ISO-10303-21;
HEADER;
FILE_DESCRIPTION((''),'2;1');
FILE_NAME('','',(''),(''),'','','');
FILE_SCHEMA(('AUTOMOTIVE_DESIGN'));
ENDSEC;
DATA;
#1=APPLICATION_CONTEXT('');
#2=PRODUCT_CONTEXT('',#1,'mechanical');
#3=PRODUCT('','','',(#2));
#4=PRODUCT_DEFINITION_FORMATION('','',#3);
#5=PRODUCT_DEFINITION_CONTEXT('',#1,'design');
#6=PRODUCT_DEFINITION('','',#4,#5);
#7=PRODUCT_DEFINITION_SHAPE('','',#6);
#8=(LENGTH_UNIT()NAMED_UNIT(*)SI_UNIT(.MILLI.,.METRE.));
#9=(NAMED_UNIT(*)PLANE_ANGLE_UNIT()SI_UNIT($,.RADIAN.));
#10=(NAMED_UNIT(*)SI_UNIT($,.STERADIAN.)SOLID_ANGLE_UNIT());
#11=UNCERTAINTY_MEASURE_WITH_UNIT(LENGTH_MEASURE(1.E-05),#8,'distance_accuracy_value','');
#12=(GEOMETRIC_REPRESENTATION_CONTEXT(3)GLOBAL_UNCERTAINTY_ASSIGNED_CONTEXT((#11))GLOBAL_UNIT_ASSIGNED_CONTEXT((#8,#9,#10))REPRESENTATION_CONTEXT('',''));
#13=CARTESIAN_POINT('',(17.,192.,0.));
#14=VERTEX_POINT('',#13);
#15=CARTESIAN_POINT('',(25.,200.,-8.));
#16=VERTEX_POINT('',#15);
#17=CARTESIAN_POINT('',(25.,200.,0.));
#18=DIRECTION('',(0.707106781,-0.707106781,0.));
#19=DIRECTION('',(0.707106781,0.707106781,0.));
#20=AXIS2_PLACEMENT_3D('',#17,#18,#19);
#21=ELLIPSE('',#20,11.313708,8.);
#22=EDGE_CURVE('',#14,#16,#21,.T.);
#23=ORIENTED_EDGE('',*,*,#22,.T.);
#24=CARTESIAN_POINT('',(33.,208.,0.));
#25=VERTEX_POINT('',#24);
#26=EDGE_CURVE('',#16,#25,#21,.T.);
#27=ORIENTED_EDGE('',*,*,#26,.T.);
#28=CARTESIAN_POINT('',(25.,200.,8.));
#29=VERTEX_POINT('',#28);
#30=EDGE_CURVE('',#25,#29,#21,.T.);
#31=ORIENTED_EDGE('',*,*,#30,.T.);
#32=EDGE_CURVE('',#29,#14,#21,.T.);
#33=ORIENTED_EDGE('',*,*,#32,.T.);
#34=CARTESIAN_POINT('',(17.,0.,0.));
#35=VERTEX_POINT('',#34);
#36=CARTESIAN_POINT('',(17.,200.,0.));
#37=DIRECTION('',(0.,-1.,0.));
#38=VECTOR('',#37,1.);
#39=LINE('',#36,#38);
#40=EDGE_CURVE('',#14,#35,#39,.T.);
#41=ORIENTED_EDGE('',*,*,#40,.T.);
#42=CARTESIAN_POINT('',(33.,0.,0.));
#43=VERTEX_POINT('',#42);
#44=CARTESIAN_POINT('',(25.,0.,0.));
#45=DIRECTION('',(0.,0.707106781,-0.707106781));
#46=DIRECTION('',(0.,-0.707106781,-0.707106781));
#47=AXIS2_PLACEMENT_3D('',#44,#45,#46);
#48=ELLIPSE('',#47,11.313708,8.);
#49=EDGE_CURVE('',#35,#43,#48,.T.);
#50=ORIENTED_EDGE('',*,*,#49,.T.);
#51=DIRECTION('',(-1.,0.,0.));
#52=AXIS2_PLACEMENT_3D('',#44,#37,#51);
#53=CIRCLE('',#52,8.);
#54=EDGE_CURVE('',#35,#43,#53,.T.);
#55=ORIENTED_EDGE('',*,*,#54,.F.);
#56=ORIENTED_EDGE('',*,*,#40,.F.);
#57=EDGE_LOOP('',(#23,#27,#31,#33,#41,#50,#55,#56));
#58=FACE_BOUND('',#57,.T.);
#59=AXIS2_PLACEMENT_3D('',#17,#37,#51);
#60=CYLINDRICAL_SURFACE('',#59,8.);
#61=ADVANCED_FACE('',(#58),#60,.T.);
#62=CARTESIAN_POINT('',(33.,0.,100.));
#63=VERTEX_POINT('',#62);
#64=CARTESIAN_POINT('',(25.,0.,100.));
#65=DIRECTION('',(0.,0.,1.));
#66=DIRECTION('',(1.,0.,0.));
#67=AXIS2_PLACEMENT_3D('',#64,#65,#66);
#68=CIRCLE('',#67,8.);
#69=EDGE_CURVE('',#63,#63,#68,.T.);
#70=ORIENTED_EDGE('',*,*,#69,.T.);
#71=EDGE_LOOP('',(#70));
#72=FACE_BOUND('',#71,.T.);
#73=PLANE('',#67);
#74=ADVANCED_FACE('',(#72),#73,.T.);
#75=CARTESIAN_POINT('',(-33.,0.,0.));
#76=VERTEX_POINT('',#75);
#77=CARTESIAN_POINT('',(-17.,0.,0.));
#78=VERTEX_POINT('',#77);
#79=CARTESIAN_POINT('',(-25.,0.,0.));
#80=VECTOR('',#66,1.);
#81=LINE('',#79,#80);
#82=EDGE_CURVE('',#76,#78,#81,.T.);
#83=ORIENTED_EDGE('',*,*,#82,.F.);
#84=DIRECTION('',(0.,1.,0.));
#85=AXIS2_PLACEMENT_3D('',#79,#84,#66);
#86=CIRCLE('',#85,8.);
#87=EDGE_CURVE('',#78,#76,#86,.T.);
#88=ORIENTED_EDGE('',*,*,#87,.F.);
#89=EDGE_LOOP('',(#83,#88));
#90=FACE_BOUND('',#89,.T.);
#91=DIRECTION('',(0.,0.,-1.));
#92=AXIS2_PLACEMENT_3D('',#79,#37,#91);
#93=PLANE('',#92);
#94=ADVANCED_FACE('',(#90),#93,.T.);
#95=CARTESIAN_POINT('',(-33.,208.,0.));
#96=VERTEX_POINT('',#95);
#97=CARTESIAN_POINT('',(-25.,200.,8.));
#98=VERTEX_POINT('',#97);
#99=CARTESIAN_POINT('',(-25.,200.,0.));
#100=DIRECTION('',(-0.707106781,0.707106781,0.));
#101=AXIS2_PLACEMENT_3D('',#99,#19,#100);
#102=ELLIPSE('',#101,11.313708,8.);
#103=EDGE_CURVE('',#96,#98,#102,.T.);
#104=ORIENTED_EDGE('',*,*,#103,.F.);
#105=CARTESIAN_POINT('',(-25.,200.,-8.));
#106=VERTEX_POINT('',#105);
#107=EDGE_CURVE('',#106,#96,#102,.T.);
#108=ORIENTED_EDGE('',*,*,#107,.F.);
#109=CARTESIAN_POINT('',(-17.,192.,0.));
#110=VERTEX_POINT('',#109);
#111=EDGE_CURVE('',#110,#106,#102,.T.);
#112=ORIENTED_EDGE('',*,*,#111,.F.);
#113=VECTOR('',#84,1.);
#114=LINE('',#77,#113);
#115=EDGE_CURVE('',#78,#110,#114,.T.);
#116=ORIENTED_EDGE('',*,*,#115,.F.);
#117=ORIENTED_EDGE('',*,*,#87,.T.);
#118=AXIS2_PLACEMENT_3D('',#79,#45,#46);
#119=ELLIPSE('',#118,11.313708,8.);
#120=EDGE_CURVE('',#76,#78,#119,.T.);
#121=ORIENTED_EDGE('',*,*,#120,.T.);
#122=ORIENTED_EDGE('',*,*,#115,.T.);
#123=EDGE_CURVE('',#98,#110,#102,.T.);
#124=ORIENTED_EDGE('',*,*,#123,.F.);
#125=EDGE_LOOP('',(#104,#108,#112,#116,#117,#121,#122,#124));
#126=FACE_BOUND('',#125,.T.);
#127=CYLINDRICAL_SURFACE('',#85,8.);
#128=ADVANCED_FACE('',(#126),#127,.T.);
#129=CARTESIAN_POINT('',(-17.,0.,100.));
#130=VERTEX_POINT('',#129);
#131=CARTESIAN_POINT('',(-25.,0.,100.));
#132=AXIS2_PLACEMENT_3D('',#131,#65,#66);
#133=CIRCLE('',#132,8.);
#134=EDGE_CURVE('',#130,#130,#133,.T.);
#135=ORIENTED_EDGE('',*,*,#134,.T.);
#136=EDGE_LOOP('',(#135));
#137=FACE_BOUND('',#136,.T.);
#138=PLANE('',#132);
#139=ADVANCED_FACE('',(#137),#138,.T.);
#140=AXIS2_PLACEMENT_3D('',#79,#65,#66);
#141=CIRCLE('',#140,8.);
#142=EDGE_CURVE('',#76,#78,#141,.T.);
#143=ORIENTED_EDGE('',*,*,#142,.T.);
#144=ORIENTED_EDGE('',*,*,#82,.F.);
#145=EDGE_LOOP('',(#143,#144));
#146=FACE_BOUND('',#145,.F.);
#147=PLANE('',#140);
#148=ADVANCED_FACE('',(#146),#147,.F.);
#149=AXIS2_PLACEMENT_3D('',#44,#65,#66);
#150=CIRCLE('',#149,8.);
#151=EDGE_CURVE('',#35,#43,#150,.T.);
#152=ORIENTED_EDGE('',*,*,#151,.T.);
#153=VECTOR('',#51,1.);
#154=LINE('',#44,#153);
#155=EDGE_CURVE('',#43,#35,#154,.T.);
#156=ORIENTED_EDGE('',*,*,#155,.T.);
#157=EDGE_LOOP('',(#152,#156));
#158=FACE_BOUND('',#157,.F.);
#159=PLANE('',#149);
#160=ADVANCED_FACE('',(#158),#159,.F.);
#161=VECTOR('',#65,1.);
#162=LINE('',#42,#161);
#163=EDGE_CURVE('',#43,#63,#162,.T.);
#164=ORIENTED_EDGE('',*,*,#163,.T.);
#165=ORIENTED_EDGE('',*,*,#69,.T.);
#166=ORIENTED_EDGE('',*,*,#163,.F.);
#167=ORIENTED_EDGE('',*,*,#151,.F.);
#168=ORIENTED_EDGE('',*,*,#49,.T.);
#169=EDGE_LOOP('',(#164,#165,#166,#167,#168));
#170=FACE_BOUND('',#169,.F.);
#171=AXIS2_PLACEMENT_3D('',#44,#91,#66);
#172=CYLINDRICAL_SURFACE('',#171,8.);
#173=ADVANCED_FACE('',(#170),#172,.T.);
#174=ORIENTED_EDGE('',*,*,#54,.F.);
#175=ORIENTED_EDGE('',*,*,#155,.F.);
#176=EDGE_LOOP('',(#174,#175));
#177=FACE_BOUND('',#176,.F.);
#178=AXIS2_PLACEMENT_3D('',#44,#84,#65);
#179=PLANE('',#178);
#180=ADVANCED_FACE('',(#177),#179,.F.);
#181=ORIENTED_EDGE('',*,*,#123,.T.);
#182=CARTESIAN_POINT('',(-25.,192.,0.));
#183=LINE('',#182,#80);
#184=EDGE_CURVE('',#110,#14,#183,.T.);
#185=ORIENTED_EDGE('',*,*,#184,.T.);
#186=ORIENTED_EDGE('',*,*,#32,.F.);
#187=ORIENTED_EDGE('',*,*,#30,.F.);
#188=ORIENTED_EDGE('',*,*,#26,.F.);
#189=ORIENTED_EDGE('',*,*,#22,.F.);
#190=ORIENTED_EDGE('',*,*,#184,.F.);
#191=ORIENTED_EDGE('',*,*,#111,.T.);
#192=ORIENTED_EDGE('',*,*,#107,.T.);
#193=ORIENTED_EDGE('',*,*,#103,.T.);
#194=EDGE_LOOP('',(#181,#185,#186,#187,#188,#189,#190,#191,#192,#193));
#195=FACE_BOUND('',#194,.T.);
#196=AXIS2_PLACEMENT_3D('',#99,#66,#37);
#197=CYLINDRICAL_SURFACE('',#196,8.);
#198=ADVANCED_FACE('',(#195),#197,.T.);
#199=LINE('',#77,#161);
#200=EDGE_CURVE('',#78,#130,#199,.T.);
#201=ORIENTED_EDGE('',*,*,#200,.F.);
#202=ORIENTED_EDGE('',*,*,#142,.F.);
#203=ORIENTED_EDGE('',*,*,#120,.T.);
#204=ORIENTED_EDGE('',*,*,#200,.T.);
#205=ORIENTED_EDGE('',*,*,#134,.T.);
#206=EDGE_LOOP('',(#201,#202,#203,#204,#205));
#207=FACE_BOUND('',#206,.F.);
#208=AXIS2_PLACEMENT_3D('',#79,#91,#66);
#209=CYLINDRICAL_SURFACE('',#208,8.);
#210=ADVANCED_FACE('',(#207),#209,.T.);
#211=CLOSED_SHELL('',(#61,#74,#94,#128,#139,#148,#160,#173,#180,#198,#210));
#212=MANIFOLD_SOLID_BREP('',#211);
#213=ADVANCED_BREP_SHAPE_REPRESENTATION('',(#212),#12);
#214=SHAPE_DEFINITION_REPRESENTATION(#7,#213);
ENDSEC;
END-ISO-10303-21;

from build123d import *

# Parameters (mm, degrees)
F1_R     = 8
F3_DEPTH = 100
F2_R     = 8


with BuildPart() as f3:
    # F1 (on Top) → F3 (new body)
    with BuildSketch(Plane.XY):
        with Locations((-25, 0)):
            Circle(F1_R)
    extrude(amount=F3_DEPTH)



with BuildPart() as f3b:
    # F1 (on Top) → F3, piece 2 (new body)
    with BuildSketch(Plane.XY):
        with Locations((25, 0)):
            Circle(F1_R)
    extrude(amount=F3_DEPTH)


with BuildPart() as f3_1:
    add(f3.part)

    add(f3b.part)  # F4 merges F3b
    # F4: sweep along a path in F0
    with BuildLine(Plane.XY) as f4_path:
        Line((-25, 0), (-25, 200))
        Line((-25, 200), (0, 200))
        Line((0, 200), (25, 200))
        Line((25, 200), (25, 0))
    # F2 (on Front) → F4 (sweep)
    with BuildSketch(Plane.XZ):
        with Locations((-25, 0)):
            Circle(F2_R)
    sweep(path=f4_path.line, transition=Transition.RIGHT)


solid = f3_1.part
